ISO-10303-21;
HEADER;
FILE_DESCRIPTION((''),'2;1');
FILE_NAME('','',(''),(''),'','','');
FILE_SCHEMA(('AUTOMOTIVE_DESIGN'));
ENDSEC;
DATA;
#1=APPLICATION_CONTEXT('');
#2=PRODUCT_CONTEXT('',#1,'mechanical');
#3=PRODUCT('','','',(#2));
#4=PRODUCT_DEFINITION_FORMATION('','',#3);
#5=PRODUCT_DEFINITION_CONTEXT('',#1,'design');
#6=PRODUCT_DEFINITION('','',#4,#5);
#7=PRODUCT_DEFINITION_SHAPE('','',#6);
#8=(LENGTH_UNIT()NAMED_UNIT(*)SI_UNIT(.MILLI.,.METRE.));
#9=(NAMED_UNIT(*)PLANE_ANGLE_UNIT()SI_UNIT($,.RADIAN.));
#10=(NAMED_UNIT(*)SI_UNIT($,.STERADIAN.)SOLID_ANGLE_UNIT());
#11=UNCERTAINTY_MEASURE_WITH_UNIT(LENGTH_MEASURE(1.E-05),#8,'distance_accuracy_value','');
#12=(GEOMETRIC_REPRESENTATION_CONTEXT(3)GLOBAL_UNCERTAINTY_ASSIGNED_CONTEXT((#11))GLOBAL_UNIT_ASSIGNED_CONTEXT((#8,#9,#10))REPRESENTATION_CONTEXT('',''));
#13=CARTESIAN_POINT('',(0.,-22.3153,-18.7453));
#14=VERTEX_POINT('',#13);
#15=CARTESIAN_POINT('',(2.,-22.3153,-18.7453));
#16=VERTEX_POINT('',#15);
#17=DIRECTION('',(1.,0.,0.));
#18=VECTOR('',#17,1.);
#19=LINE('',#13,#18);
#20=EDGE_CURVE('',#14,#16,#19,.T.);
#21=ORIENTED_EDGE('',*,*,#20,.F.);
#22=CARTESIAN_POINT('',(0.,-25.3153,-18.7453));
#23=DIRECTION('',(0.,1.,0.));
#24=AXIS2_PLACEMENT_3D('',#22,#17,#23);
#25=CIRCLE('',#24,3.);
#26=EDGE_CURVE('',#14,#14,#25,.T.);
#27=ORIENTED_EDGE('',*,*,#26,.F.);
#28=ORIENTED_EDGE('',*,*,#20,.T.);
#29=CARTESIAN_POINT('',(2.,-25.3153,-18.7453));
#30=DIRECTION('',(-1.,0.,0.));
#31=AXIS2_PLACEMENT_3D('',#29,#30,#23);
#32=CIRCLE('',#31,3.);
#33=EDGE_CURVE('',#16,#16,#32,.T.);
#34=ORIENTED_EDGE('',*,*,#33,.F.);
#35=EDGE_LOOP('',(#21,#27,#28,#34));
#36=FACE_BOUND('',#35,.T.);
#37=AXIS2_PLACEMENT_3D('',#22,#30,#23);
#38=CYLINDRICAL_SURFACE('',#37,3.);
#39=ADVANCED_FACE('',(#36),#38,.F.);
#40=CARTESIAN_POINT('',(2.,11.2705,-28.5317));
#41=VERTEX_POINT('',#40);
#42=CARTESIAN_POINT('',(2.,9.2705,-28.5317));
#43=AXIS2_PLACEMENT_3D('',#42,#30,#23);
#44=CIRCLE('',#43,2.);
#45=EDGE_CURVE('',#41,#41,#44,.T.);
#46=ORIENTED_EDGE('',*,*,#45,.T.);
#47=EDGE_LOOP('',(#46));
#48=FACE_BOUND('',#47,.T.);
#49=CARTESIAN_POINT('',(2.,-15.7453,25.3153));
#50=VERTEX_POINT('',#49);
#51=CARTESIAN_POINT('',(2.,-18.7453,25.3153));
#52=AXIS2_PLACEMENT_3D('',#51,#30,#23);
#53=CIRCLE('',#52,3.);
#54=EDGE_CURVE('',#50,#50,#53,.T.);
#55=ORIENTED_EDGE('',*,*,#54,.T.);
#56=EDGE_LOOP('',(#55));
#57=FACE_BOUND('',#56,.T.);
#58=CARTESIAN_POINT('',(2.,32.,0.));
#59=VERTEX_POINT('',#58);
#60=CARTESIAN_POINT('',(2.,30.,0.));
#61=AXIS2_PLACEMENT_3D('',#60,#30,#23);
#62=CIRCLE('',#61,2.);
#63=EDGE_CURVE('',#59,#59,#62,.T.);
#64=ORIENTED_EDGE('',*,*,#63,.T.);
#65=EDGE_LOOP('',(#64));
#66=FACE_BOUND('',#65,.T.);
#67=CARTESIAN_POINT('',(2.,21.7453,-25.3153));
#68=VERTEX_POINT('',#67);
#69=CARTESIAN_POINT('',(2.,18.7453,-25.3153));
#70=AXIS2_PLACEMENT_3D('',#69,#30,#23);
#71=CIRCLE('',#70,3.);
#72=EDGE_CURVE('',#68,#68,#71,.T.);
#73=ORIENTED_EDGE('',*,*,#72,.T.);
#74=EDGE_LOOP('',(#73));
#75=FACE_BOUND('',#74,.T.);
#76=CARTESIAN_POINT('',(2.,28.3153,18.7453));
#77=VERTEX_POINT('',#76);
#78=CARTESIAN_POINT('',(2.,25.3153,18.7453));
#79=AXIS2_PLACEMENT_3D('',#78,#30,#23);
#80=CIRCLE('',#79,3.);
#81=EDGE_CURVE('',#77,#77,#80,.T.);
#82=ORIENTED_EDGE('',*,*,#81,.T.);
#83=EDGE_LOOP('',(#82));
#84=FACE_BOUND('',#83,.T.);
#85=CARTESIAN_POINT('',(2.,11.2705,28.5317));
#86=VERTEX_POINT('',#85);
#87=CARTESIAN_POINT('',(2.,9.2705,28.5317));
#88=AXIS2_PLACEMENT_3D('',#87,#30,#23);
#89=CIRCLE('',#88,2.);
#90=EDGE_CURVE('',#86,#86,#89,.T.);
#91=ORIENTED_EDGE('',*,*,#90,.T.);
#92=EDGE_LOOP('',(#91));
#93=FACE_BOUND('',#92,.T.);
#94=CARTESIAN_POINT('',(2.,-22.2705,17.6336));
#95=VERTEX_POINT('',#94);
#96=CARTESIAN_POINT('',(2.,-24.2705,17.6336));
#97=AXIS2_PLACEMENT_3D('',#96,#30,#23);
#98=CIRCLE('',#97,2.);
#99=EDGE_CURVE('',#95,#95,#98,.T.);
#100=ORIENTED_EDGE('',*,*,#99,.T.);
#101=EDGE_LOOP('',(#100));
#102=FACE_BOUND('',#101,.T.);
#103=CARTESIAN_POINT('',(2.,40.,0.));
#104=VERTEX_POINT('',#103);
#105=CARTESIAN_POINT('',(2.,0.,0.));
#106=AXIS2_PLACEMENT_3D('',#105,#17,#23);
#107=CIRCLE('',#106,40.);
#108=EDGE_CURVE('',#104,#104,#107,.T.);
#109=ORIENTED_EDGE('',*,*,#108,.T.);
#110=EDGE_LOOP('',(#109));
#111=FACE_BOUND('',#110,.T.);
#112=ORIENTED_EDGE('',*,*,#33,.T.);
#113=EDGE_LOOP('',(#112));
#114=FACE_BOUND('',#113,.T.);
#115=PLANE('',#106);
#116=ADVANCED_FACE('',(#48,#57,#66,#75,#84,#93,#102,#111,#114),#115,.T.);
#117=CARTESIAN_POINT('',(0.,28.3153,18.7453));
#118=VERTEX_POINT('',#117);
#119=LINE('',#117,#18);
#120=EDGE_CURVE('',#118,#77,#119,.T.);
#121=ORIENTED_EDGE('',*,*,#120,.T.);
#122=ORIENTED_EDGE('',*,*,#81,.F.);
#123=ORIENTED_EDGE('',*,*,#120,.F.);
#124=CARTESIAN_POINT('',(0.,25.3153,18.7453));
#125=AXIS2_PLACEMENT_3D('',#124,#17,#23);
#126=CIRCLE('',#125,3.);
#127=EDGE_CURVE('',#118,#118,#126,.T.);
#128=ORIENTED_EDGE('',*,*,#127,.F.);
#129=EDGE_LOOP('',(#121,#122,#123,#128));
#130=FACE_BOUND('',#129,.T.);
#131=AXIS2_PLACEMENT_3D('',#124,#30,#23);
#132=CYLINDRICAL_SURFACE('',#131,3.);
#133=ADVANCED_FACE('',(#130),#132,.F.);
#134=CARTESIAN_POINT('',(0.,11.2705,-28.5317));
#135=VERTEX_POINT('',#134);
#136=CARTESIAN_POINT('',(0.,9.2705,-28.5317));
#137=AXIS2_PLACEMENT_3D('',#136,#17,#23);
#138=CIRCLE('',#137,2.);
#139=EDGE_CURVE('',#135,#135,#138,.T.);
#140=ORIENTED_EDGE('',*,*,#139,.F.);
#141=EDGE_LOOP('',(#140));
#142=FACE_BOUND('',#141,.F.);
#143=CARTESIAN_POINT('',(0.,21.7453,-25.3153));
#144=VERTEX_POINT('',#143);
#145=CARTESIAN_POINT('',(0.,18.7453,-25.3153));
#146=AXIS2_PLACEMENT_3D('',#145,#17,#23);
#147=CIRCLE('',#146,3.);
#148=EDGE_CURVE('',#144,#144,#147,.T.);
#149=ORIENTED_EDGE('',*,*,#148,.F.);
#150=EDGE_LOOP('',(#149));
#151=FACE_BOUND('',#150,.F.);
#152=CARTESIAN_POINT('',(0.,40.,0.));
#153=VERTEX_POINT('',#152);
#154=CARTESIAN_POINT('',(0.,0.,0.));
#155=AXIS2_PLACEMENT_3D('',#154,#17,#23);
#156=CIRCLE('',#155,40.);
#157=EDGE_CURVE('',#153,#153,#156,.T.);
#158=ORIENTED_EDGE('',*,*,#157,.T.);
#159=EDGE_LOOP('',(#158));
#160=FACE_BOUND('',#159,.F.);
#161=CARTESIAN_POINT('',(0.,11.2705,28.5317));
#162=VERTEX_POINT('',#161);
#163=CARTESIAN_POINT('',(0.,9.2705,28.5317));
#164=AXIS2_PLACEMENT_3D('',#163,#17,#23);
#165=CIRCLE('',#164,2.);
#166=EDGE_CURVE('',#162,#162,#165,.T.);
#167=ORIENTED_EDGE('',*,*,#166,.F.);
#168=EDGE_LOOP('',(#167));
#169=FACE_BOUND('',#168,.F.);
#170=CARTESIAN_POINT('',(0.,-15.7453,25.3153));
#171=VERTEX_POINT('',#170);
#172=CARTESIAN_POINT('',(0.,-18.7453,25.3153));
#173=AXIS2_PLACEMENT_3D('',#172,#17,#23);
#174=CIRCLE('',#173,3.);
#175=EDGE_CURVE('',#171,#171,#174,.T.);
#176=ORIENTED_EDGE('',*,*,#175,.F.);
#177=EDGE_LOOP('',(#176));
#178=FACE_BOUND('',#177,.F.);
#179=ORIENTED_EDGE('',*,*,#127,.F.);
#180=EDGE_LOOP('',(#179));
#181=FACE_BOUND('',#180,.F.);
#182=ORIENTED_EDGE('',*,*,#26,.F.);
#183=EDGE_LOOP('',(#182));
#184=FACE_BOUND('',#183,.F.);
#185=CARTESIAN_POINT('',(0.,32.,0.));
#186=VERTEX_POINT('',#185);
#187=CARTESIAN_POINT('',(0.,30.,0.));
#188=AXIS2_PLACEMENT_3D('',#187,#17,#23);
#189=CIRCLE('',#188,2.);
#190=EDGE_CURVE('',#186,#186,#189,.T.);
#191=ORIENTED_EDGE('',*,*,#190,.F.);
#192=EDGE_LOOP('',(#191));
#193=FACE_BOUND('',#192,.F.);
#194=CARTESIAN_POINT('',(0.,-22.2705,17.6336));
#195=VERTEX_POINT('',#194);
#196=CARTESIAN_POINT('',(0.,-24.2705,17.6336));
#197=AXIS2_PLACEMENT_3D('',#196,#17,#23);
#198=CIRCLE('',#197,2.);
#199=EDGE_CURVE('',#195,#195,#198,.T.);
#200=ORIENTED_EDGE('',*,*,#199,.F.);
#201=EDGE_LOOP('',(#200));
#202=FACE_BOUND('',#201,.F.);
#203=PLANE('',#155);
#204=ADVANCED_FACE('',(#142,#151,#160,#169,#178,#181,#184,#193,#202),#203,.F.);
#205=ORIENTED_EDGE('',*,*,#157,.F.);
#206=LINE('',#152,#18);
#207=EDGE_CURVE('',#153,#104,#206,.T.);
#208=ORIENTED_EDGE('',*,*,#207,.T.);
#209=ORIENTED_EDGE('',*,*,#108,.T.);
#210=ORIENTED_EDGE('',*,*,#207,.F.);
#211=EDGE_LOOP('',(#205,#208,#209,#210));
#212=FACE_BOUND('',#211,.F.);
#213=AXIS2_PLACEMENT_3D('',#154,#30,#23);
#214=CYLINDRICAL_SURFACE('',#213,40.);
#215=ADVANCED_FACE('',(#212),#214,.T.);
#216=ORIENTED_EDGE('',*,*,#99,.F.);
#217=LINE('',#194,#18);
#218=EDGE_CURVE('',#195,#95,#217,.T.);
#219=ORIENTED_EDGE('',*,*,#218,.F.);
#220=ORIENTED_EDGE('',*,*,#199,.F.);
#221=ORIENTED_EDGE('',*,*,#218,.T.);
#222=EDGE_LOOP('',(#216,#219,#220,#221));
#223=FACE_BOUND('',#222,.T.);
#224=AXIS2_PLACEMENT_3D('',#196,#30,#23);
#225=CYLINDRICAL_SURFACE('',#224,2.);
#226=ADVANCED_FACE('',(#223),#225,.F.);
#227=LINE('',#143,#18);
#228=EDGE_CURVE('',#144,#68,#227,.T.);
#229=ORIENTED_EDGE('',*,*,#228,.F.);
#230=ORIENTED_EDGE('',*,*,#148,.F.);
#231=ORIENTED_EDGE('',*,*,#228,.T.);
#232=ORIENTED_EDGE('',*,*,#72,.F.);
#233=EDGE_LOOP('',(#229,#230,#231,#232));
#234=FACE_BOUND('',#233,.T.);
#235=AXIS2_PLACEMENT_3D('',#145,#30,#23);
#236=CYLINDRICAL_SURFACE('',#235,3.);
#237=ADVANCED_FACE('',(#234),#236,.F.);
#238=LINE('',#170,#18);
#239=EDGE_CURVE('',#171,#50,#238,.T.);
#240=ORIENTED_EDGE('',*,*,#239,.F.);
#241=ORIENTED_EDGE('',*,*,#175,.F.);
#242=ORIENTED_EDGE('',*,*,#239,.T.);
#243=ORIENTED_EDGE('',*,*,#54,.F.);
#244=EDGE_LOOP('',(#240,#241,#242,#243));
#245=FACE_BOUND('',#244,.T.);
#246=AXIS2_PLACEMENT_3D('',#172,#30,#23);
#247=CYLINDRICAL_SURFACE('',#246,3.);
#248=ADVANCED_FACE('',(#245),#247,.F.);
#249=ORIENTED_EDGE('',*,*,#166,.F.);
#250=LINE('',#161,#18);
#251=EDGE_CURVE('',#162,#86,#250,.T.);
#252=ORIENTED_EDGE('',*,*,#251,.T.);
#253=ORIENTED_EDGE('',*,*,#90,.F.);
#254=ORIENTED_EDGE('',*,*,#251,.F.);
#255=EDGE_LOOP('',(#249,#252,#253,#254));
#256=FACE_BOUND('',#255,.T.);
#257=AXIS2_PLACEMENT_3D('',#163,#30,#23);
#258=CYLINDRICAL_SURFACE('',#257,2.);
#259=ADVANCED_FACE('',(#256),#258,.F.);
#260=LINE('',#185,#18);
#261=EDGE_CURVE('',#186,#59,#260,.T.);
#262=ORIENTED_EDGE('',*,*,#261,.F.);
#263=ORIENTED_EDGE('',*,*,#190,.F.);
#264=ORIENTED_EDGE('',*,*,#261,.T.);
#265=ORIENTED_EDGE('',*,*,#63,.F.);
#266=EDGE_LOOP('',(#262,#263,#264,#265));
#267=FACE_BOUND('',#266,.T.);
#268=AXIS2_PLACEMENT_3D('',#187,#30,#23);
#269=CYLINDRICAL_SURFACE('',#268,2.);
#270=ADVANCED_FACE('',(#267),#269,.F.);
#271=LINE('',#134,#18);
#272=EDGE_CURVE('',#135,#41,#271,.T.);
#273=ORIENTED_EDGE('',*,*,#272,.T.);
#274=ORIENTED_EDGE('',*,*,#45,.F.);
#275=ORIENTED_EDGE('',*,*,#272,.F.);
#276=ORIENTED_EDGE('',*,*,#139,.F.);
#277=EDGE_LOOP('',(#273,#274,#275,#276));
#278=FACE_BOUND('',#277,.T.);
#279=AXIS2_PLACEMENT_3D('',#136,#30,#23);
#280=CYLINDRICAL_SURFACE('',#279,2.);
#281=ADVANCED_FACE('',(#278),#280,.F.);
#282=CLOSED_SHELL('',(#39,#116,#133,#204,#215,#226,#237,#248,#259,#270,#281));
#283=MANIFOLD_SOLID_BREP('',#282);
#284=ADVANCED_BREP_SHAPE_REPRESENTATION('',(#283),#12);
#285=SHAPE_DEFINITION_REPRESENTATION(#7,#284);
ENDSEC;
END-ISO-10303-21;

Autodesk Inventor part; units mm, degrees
ref_plane "YZ Plane" through (0, 0, 0) normal (1, 0, 0) x (0, 1, 0)
ref_plane "XZ Plane" through (0, 0, 0) normal (0, 1, 0) x (-1, 0, 0)
ref_plane "XY Plane" through (0, 0, 0) normal (0, 0, 1) x (1, 0, 0)
sketch "スケッチ1" plane through (0, 0, 0) normal (1, 0, 0) x (0, 1, 0)
  circle A0 centre (0, 0) radius 40
  circle A1 centre (30, 0) radius 2
  circle A2 centre (9.2705, 28.5317) radius 2
  circle A3 centre (-24.2705, 17.6336) radius 2
  circle A4 centre (-24.2705, -17.6336) radius 2
  circle A5 centre (9.2705, -28.5317) radius 2
  circle A6 centre (0, 0) radius 31.5
  circle A7 centre (-25.3153, -18.7453) radius 3
  circle A8 centre (18.7453, -25.3153) radius 3
  circle A9 centre (25.3153, 18.7453) radius 3
  circle A10 centre (-18.7453, 25.3153) radius 3
  dimension "d0" = 80
  dimension "d1" = 30
  dimension "d2" = 4
  dimension "d5" = 360
  dimension "d7" = 63
  dimension "d8" = 6
  dimension "d11" = 360
extrude "押し出し1" add sketch "スケッチ1" along normal blind 2 contours A0 | A1 A6 | A6 A1 | A1 A6 A8 A5 A7 A4 A3 A10 A2 A9 | A9 A6 | A6 A9 | A8 A6 | A6 A8 | A6 A2 | A2 A6 | A6 A5 | A5 A6 | A10 A6 | A6 A10 | A7 A6 A4 | A6 A4 A7 | A6 A4 A7 | A4 A6 | A7 A4 A6 | A6 A3 | A3 A6 | A7 A4
extrude "押し出し2" cut sketch "スケッチ1" along normal blind 2 contours A1 A6 | A6 A1 | A9 A6 | A6 A9 | A8 A6 | A6 A8 | A6 A2 | A2 A6 | A6 A5 | A5 A6 | A10 A6 | A6 A10 | A7 A6 A4 | A6 A4 A7 | A6 A4 A7 | A4 A6 | A7 A4 A6 | A6 A3 | A3 A6
properties part number "plate" material "アルミニウム 6061"
